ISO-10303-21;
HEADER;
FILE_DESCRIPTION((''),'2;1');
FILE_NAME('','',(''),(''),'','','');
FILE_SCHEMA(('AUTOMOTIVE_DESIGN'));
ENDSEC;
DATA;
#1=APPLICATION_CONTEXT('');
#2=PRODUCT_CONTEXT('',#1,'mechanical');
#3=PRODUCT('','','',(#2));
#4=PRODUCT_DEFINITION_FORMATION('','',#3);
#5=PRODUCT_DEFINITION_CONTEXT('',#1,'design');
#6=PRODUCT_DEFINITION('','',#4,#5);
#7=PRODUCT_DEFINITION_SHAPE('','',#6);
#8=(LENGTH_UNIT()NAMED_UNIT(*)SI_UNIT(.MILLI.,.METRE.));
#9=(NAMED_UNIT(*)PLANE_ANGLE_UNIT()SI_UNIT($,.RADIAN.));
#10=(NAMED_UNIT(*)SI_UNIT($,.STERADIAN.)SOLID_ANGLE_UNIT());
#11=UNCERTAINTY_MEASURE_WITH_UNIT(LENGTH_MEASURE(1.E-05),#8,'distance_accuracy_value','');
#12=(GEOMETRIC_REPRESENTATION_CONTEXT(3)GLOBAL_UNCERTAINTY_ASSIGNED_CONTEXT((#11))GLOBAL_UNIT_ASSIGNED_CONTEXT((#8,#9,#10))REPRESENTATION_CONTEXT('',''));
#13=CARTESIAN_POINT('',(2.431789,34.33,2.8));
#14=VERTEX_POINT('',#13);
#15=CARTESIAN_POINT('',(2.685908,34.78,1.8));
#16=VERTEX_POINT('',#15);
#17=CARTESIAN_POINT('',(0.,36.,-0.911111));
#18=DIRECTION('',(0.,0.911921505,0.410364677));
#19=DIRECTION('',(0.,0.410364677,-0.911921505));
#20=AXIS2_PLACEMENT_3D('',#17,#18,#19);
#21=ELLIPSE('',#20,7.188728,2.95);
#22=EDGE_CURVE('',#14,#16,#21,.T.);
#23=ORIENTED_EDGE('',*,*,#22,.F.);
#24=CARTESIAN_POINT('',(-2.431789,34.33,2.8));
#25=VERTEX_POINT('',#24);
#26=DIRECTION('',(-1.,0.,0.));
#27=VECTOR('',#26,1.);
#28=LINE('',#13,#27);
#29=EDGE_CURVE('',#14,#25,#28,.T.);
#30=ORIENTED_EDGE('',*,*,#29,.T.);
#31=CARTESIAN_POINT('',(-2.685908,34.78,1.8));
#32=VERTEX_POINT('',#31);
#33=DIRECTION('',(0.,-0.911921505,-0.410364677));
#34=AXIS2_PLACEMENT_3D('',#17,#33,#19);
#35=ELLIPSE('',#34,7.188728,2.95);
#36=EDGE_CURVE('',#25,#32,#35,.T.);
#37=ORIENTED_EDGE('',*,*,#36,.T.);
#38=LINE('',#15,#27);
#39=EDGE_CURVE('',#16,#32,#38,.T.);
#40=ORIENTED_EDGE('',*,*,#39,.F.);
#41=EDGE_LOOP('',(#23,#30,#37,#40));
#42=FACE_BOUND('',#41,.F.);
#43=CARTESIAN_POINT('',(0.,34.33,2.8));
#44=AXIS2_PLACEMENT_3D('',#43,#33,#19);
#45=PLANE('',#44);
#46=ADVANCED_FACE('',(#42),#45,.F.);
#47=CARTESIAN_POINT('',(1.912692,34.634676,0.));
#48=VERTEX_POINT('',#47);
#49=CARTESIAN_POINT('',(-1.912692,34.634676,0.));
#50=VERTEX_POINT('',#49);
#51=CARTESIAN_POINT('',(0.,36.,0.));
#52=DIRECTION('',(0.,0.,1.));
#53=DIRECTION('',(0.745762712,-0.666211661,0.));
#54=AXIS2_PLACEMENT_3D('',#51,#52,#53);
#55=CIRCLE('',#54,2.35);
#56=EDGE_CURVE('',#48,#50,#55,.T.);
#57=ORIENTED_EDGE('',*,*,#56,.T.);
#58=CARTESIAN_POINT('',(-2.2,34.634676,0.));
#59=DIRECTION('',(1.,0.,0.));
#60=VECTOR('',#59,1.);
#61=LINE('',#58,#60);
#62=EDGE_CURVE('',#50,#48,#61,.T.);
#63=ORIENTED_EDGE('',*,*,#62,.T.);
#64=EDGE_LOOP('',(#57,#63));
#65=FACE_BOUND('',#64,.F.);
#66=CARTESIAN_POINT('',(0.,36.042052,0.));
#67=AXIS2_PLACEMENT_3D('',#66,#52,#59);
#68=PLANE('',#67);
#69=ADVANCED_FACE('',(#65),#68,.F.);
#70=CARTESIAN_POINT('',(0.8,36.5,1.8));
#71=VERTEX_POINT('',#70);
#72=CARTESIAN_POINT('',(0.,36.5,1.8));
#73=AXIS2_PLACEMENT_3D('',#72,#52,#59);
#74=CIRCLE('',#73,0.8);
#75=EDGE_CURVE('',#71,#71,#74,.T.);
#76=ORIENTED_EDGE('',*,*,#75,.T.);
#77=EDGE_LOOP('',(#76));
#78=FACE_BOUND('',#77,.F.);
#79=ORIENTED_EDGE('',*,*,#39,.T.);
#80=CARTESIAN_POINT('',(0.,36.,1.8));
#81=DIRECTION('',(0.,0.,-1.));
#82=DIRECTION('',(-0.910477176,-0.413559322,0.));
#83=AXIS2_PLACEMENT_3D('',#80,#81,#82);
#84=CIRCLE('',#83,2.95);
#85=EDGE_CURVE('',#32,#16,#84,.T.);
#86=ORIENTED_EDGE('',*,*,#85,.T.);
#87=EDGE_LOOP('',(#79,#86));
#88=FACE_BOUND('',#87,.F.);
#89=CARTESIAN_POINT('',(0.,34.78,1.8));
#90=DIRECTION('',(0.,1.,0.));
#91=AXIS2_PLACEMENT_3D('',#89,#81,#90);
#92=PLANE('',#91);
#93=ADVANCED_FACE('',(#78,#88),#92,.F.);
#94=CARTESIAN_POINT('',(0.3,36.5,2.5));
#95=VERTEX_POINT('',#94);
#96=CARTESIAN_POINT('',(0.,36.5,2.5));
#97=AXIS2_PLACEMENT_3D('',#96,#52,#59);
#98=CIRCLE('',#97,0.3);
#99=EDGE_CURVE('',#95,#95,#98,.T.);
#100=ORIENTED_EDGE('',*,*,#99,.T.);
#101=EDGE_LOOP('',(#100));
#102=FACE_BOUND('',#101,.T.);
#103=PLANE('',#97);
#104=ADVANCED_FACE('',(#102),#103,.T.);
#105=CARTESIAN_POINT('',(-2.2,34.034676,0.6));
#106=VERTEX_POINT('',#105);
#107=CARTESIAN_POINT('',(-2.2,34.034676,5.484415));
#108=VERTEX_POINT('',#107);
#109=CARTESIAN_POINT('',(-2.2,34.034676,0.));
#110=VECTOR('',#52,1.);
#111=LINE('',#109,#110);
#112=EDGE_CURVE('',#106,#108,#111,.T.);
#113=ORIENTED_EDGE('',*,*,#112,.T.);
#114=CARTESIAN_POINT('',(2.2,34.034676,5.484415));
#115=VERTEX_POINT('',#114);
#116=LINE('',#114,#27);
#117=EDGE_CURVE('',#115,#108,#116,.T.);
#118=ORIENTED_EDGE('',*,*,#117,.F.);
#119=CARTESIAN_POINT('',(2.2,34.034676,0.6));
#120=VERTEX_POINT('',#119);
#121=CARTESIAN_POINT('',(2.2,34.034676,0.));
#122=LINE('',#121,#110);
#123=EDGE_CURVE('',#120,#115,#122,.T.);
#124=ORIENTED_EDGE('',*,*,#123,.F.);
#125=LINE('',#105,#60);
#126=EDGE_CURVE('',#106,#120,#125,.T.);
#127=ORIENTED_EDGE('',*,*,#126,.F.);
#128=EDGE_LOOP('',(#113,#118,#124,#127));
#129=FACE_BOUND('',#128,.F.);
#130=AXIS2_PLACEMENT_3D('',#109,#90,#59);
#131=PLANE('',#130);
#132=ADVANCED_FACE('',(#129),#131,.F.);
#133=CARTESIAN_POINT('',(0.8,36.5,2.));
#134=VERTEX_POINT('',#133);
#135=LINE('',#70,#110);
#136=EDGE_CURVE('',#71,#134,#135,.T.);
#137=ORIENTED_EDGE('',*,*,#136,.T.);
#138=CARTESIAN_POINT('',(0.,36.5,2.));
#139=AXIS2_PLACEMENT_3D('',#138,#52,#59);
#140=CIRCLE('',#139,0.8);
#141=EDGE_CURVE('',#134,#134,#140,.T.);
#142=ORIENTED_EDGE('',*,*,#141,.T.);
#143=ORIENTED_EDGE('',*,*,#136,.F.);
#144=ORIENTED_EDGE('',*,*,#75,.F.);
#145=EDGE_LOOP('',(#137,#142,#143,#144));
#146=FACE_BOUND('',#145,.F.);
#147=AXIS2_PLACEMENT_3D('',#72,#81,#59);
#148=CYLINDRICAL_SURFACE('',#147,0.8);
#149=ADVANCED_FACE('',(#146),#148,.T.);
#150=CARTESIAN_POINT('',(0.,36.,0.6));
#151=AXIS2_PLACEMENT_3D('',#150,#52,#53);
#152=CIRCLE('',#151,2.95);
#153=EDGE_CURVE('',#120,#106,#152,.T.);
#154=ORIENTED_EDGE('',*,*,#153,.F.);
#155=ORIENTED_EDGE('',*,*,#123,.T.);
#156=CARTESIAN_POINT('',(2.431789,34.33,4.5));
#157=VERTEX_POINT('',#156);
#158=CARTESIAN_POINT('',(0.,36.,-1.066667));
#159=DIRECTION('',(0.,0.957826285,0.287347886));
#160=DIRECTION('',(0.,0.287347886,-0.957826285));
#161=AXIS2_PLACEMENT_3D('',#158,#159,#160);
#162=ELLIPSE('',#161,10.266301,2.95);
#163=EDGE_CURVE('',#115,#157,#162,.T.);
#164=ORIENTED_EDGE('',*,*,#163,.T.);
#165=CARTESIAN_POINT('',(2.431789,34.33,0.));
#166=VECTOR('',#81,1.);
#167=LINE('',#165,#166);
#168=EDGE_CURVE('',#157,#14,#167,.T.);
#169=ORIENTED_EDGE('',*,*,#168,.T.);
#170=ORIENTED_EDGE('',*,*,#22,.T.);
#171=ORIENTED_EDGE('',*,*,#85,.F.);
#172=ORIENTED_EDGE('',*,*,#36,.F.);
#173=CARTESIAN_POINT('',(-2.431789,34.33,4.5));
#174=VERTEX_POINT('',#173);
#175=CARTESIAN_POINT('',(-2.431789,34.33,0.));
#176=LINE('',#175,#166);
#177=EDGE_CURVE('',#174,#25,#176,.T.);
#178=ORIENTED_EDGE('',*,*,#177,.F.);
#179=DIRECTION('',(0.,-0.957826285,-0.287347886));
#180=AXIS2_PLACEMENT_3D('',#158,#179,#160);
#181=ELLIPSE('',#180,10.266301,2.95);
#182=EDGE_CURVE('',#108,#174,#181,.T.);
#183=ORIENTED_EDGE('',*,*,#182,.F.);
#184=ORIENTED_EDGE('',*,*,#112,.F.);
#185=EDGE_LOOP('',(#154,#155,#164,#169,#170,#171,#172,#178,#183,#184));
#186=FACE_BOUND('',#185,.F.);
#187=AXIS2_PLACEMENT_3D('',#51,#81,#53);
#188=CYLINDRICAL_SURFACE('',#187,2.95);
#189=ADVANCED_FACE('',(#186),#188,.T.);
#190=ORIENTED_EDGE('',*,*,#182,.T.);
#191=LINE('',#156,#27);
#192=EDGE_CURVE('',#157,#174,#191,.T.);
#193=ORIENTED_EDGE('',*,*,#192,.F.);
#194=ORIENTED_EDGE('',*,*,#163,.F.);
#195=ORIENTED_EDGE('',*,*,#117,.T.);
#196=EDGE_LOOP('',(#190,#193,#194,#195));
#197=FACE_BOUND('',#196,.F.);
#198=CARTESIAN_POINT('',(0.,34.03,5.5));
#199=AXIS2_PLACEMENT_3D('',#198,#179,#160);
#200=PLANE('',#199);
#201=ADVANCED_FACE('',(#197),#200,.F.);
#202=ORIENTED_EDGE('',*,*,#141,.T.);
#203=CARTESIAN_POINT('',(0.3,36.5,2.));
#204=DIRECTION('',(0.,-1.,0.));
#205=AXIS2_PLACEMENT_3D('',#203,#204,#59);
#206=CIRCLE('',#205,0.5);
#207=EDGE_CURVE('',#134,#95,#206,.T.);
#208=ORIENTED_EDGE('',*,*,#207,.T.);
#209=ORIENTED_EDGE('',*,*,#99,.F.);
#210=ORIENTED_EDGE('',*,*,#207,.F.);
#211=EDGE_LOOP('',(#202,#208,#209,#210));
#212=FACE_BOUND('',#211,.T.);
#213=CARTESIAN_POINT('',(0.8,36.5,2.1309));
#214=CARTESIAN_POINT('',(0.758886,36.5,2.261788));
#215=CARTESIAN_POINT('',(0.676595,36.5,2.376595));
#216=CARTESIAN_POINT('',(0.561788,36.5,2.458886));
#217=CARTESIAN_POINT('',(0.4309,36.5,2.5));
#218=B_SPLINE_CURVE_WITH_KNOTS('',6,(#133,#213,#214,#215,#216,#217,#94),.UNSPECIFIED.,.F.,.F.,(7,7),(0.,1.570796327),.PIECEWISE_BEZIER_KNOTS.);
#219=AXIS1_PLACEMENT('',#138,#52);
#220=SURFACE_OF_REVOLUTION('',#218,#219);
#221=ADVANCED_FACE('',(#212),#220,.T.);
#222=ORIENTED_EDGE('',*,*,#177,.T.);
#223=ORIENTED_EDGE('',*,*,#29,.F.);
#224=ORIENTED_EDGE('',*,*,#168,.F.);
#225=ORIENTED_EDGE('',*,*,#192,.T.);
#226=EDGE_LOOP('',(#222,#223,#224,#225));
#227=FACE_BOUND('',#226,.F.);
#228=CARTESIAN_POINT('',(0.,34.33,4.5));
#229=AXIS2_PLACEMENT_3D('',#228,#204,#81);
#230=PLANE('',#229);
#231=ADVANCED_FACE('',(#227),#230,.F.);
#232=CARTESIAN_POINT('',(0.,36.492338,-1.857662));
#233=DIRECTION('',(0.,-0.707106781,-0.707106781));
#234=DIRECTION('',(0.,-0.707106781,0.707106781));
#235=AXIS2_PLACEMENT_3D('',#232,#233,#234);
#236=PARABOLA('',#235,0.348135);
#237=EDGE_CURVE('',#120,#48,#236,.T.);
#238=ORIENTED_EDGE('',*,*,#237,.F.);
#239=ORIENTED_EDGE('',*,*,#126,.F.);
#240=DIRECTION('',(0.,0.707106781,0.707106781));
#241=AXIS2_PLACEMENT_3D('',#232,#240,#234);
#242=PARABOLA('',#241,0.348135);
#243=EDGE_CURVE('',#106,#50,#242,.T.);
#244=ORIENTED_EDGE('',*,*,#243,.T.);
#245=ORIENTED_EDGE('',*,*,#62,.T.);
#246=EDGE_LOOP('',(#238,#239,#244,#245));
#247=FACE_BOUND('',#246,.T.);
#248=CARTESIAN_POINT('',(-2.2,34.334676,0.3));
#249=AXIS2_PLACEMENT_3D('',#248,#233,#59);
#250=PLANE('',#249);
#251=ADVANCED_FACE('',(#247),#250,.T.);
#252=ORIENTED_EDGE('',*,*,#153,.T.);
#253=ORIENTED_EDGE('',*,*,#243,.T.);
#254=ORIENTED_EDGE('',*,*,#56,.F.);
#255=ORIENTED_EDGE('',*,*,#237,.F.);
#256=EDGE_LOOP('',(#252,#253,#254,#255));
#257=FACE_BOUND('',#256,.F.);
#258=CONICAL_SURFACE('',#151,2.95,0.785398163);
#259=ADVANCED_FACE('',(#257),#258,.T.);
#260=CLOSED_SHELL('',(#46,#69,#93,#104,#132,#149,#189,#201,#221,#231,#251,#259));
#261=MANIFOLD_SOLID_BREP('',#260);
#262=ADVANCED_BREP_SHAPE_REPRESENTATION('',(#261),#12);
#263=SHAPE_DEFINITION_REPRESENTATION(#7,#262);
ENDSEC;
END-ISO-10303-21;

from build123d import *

# Parameters (mm, degrees)
PAD003_DEPTH         = 5.5
POCKET004_DEPTH      = 2.951
POCKET004_DEPTH_BACK = 2.951
SKETCH013_R          = 0.8
PAD006_DEPTH         = 0.7
FILLET_R             = 0.5
CHAMFER004_SIZE      = 0.6


with BuildPart() as part:
    # Sketch004 → Pad003 (new body)
    with BuildSketch(Plane.XY):
        with BuildLine():
            ThreePointArc((2.2, -1.9653244007), (0, 2.95), (-2.2, -1.9653244007))
            Line((-2.2, -1.9653244007), (2.2, -1.9653244007))
        make_face()
    extrude(amount=PAD003_DEPTH)

    # Sketch014 → Pocket004 (cut, two sides)
    with BuildSketch(Plane.YZ) as pocket004_sk:
        Polygon((-1.97, 5.5), (-1.67, 4.5), (-1.67, 2.8), (-1.22, 1.8), (4, 1.8), (4, 5.5), align=None)
    extrude(amount=-POCKET004_DEPTH, mode=Mode.SUBTRACT)
    extrude(pocket004_sk.sketch, amount=POCKET004_DEPTH_BACK, mode=Mode.SUBTRACT)

    # Sketch013 (on Face7 of Pocket004) → Pad006 (join)
    with BuildSketch(Plane.XY.offset(1.8)):
        with Locations((0, 0.5)):
            Circle(SKETCH013_R)
    extrude(amount=PAD006_DEPTH)

    # Fillet
    fillet_edges = [part.edges().sort_by_distance(p)[0] for p in [
        (-0.8, 0.5, 2.5),
    ]]
    fillet(fillet_edges, radius=FILLET_R)

    # Chamfer004
    chamfer004_edges = [part.edges().sort_by_distance(p)[0] for p in [
        (0, 2.95, 0),
        (0, -1.965324, 0),
    ]]
    chamfer(chamfer004_edges, length=CHAMFER004_SIZE)


with BuildPart() as part_1:
    # Body025 placement: moved
    add(part.part.moved(Location((0, 36, 0))))


solid = part_1.part
